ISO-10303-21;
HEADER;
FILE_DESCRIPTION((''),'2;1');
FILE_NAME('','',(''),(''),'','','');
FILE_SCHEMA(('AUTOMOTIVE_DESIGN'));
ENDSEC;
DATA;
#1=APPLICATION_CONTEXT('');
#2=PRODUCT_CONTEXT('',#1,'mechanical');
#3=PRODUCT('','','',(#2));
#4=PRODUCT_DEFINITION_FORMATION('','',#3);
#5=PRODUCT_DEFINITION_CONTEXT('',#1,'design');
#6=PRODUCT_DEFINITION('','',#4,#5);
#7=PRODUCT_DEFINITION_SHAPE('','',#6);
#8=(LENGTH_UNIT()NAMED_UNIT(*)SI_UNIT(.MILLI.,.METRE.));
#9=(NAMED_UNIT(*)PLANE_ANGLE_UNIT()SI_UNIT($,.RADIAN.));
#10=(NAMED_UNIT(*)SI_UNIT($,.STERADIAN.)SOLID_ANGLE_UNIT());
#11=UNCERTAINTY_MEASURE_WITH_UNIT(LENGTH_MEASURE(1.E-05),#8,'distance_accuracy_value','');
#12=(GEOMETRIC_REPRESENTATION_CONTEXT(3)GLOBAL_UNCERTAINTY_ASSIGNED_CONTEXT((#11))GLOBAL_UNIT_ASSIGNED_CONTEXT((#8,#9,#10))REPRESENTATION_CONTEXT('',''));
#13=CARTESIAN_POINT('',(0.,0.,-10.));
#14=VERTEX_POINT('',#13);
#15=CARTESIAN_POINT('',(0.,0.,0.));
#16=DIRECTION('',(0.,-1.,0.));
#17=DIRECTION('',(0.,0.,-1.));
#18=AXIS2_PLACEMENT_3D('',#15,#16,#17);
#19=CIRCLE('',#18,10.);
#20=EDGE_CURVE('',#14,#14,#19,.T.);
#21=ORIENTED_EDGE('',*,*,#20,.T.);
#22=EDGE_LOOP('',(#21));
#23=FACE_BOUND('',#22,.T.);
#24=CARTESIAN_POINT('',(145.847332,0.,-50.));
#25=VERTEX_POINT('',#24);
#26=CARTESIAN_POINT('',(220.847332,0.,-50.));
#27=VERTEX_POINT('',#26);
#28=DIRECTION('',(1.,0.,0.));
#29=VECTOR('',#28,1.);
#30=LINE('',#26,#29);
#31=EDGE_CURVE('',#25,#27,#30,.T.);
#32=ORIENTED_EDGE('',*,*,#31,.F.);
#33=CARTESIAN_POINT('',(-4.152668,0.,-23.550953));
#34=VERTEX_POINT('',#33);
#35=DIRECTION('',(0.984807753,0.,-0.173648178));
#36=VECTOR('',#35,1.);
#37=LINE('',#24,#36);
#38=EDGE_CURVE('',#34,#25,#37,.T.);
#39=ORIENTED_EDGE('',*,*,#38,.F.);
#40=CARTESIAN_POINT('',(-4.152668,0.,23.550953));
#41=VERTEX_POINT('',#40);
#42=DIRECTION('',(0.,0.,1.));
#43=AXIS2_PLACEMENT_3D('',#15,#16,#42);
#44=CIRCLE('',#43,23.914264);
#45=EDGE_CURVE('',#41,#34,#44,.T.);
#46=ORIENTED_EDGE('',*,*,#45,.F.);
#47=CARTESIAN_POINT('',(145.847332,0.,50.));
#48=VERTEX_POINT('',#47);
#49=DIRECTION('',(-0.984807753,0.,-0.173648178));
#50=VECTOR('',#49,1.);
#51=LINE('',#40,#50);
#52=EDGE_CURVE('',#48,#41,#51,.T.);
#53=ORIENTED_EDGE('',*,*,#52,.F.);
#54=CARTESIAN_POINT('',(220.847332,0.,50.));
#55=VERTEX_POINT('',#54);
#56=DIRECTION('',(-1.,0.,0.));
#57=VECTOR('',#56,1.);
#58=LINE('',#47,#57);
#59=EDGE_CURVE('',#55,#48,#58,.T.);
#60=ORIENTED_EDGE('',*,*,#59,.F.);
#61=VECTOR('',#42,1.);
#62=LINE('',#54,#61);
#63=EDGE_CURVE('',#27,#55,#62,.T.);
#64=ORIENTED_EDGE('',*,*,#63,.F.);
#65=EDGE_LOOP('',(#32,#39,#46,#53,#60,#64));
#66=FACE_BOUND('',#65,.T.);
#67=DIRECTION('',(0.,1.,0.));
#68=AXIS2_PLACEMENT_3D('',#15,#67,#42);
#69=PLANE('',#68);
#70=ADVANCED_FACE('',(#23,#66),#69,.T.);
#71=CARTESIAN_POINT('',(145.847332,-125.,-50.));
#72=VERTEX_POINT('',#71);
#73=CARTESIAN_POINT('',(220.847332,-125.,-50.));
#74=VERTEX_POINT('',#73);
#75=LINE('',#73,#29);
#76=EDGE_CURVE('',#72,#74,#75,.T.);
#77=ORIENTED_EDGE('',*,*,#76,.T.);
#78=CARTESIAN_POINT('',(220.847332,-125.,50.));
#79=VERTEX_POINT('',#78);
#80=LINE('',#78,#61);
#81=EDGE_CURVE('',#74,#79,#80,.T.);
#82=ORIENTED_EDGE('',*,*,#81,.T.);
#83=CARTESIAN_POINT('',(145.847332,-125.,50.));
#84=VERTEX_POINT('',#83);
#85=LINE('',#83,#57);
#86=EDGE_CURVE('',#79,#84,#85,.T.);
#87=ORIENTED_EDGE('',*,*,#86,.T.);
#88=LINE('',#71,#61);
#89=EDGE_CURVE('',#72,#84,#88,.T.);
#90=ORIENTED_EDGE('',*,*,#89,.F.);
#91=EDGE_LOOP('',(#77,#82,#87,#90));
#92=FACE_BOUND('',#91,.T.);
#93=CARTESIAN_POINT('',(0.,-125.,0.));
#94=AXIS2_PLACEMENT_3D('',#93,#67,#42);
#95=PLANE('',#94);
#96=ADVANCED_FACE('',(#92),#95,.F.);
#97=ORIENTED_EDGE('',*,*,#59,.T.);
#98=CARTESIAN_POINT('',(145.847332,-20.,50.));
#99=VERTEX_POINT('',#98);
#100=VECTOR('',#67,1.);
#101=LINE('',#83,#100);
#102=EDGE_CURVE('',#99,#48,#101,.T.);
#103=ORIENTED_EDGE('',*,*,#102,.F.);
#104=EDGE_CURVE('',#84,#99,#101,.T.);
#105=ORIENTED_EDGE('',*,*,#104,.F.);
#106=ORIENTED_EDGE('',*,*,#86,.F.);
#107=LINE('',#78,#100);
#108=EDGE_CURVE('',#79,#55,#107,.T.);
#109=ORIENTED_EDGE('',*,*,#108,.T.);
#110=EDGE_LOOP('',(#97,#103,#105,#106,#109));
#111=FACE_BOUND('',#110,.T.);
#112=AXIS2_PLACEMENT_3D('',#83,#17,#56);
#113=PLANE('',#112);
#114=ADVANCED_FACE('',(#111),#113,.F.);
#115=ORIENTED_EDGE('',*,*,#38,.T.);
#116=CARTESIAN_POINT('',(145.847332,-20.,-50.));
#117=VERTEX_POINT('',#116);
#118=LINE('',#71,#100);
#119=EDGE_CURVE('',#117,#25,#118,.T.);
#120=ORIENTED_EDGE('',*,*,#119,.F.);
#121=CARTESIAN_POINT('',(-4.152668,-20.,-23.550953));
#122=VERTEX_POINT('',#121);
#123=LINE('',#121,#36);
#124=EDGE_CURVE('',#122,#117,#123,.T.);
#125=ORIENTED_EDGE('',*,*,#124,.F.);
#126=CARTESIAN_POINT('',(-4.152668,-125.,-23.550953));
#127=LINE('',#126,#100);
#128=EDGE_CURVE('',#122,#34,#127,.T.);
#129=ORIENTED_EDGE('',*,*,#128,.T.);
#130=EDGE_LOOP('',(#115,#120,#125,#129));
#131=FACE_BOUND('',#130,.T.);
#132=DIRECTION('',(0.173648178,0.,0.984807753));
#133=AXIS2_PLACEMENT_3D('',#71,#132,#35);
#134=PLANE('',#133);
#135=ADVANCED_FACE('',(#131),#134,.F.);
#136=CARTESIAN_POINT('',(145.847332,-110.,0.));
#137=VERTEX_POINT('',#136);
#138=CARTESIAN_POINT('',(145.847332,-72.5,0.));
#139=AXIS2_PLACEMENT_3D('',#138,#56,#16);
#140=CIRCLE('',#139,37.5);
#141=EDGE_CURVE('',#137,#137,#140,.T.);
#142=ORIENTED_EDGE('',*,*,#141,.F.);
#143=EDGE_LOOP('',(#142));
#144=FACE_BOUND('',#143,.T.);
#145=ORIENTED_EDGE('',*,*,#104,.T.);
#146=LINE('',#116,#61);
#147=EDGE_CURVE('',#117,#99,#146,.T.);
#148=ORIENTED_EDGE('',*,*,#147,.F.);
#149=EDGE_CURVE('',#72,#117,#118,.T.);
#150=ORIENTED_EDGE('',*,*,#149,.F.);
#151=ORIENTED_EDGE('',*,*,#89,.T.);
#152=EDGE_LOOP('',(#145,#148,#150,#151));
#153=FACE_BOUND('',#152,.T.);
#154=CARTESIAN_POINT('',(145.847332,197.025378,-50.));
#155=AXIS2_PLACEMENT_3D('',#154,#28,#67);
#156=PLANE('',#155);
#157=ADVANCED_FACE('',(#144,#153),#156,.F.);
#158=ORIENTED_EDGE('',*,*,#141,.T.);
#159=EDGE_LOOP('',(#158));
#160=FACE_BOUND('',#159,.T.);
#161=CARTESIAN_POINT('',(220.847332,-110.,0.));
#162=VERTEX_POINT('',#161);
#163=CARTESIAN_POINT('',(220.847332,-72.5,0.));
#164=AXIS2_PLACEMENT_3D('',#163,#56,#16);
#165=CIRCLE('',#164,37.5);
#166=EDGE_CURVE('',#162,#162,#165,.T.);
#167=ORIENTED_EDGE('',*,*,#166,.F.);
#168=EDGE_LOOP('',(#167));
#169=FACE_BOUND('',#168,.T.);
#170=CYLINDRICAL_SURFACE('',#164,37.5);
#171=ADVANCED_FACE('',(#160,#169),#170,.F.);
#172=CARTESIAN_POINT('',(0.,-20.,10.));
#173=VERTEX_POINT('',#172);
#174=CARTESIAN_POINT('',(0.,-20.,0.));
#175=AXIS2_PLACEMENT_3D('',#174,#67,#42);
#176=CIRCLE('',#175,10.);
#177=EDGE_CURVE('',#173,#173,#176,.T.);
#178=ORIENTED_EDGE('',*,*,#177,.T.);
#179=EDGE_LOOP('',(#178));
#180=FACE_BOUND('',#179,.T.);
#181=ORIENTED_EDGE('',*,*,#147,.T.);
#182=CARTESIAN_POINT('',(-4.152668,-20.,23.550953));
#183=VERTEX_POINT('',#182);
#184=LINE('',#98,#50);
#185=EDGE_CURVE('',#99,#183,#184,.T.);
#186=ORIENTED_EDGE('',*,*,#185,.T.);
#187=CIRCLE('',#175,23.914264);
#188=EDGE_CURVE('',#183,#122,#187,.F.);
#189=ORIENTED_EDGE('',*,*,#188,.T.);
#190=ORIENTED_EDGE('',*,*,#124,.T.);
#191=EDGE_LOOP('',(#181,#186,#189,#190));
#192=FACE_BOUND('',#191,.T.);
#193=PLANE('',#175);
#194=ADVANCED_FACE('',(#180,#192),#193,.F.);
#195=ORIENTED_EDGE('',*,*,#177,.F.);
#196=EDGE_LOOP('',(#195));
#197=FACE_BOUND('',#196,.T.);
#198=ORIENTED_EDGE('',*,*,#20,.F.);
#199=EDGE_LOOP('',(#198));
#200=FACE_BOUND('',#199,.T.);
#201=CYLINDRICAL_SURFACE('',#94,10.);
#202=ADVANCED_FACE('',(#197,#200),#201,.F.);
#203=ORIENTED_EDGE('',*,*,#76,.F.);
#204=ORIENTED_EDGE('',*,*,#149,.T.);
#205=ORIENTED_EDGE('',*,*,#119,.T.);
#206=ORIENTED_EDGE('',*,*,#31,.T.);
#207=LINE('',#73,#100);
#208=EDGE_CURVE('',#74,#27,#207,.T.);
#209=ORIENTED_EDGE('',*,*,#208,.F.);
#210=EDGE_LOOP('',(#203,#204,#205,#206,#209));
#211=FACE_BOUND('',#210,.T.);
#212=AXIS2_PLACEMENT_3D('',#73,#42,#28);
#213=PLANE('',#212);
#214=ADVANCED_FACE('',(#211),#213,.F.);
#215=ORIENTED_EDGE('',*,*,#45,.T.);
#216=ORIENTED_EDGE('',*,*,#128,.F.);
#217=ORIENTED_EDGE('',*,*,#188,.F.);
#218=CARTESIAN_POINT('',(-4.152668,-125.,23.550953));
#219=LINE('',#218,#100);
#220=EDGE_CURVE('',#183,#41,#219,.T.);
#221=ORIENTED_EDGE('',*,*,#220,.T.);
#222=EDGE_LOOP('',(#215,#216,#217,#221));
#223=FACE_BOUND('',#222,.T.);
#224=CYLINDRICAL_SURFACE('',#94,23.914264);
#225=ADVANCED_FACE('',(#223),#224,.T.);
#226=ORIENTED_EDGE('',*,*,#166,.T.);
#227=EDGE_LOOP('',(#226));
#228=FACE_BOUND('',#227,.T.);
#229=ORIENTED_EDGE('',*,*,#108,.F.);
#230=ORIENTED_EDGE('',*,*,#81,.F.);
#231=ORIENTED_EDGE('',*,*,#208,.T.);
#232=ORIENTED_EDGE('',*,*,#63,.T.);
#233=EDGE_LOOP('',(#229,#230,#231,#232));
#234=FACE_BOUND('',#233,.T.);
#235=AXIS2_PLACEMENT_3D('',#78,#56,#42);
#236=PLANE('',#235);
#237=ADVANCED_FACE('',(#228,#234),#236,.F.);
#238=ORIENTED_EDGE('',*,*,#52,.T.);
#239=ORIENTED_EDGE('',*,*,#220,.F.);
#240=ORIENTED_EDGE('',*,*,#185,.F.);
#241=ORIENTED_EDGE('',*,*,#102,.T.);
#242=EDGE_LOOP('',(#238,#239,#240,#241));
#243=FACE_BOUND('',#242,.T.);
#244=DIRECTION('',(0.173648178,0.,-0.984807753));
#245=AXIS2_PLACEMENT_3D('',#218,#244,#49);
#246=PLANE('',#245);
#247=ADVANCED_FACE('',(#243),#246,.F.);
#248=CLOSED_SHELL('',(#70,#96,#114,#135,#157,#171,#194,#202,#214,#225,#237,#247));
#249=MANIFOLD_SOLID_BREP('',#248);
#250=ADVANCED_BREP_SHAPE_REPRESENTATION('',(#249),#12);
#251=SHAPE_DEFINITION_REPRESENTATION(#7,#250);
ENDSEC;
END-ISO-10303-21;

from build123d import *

# Parameters (mm, degrees)
SKETCH1_R           = 10
BOSS_EXTRUDE1_DEPTH = 125
CUT_EXTRUDE1_DEPTH  = 105
SKETCH5_R           = 37.5
CUT_EXTRUDE2_DEPTH  = 76


with BuildPart() as part:
    # Sketch1 → Boss-Extrude1 (new body)
    with BuildSketch(Plane(origin=(0, 0, 0), x_dir=(-1, 0, 0), z_dir=(0, -1, 0))):
        with BuildLine():
            Line((-220.847331583, 50), (-145.847331583, 50))
            Line((-145.847331583, 50), (4.152668417, 23.550952894))
            ThreePointArc((4.152668417, 23.550952894), (23.914264304, 0), (4.152668417, -23.550952894))
            Line((4.152668417, -23.550952894), (-145.847331583, -50))
            Line((-145.847331583, -50), (-220.847331583, -50))
            Line((-220.847331583, -50), (-220.847331583, 50))
        make_face()
        Circle(SKETCH1_R, mode=Mode.SUBTRACT)
    extrude(amount=BOSS_EXTRUDE1_DEPTH)

    # Sketch2 → Cut-Extrude1 (cut)
    with BuildSketch(Plane(origin=(0, -125, 0), x_dir=(-1, 0, 0), z_dir=(0, -1, 0))):
        with BuildLine():
            Line((-145.847331583, 50), (-145.847331583, -50))
            Line((-145.847331583, -50), (4.152668417, -23.550952894))
            ThreePointArc((4.152668417, -23.550952894), (23.914264304, 0), (4.152668417, 23.550952894))
            Line((4.152668417, 23.550952894), (-145.847331583, 50))
        make_face()
    extrude(amount=-CUT_EXTRUDE1_DEPTH, mode=Mode.SUBTRACT)

    # Sketch5 → Cut-Extrude2 (cut, through all)
    with BuildSketch(Plane(origin=(145.847331583, 0, 0), x_dir=(0, 0, -1), z_dir=(-1, 0, 0))):
        with Locations((0, 72.5)):
            Circle(SKETCH5_R)
    extrude(amount=-CUT_EXTRUDE2_DEPTH, mode=Mode.SUBTRACT)


solid = part.part
